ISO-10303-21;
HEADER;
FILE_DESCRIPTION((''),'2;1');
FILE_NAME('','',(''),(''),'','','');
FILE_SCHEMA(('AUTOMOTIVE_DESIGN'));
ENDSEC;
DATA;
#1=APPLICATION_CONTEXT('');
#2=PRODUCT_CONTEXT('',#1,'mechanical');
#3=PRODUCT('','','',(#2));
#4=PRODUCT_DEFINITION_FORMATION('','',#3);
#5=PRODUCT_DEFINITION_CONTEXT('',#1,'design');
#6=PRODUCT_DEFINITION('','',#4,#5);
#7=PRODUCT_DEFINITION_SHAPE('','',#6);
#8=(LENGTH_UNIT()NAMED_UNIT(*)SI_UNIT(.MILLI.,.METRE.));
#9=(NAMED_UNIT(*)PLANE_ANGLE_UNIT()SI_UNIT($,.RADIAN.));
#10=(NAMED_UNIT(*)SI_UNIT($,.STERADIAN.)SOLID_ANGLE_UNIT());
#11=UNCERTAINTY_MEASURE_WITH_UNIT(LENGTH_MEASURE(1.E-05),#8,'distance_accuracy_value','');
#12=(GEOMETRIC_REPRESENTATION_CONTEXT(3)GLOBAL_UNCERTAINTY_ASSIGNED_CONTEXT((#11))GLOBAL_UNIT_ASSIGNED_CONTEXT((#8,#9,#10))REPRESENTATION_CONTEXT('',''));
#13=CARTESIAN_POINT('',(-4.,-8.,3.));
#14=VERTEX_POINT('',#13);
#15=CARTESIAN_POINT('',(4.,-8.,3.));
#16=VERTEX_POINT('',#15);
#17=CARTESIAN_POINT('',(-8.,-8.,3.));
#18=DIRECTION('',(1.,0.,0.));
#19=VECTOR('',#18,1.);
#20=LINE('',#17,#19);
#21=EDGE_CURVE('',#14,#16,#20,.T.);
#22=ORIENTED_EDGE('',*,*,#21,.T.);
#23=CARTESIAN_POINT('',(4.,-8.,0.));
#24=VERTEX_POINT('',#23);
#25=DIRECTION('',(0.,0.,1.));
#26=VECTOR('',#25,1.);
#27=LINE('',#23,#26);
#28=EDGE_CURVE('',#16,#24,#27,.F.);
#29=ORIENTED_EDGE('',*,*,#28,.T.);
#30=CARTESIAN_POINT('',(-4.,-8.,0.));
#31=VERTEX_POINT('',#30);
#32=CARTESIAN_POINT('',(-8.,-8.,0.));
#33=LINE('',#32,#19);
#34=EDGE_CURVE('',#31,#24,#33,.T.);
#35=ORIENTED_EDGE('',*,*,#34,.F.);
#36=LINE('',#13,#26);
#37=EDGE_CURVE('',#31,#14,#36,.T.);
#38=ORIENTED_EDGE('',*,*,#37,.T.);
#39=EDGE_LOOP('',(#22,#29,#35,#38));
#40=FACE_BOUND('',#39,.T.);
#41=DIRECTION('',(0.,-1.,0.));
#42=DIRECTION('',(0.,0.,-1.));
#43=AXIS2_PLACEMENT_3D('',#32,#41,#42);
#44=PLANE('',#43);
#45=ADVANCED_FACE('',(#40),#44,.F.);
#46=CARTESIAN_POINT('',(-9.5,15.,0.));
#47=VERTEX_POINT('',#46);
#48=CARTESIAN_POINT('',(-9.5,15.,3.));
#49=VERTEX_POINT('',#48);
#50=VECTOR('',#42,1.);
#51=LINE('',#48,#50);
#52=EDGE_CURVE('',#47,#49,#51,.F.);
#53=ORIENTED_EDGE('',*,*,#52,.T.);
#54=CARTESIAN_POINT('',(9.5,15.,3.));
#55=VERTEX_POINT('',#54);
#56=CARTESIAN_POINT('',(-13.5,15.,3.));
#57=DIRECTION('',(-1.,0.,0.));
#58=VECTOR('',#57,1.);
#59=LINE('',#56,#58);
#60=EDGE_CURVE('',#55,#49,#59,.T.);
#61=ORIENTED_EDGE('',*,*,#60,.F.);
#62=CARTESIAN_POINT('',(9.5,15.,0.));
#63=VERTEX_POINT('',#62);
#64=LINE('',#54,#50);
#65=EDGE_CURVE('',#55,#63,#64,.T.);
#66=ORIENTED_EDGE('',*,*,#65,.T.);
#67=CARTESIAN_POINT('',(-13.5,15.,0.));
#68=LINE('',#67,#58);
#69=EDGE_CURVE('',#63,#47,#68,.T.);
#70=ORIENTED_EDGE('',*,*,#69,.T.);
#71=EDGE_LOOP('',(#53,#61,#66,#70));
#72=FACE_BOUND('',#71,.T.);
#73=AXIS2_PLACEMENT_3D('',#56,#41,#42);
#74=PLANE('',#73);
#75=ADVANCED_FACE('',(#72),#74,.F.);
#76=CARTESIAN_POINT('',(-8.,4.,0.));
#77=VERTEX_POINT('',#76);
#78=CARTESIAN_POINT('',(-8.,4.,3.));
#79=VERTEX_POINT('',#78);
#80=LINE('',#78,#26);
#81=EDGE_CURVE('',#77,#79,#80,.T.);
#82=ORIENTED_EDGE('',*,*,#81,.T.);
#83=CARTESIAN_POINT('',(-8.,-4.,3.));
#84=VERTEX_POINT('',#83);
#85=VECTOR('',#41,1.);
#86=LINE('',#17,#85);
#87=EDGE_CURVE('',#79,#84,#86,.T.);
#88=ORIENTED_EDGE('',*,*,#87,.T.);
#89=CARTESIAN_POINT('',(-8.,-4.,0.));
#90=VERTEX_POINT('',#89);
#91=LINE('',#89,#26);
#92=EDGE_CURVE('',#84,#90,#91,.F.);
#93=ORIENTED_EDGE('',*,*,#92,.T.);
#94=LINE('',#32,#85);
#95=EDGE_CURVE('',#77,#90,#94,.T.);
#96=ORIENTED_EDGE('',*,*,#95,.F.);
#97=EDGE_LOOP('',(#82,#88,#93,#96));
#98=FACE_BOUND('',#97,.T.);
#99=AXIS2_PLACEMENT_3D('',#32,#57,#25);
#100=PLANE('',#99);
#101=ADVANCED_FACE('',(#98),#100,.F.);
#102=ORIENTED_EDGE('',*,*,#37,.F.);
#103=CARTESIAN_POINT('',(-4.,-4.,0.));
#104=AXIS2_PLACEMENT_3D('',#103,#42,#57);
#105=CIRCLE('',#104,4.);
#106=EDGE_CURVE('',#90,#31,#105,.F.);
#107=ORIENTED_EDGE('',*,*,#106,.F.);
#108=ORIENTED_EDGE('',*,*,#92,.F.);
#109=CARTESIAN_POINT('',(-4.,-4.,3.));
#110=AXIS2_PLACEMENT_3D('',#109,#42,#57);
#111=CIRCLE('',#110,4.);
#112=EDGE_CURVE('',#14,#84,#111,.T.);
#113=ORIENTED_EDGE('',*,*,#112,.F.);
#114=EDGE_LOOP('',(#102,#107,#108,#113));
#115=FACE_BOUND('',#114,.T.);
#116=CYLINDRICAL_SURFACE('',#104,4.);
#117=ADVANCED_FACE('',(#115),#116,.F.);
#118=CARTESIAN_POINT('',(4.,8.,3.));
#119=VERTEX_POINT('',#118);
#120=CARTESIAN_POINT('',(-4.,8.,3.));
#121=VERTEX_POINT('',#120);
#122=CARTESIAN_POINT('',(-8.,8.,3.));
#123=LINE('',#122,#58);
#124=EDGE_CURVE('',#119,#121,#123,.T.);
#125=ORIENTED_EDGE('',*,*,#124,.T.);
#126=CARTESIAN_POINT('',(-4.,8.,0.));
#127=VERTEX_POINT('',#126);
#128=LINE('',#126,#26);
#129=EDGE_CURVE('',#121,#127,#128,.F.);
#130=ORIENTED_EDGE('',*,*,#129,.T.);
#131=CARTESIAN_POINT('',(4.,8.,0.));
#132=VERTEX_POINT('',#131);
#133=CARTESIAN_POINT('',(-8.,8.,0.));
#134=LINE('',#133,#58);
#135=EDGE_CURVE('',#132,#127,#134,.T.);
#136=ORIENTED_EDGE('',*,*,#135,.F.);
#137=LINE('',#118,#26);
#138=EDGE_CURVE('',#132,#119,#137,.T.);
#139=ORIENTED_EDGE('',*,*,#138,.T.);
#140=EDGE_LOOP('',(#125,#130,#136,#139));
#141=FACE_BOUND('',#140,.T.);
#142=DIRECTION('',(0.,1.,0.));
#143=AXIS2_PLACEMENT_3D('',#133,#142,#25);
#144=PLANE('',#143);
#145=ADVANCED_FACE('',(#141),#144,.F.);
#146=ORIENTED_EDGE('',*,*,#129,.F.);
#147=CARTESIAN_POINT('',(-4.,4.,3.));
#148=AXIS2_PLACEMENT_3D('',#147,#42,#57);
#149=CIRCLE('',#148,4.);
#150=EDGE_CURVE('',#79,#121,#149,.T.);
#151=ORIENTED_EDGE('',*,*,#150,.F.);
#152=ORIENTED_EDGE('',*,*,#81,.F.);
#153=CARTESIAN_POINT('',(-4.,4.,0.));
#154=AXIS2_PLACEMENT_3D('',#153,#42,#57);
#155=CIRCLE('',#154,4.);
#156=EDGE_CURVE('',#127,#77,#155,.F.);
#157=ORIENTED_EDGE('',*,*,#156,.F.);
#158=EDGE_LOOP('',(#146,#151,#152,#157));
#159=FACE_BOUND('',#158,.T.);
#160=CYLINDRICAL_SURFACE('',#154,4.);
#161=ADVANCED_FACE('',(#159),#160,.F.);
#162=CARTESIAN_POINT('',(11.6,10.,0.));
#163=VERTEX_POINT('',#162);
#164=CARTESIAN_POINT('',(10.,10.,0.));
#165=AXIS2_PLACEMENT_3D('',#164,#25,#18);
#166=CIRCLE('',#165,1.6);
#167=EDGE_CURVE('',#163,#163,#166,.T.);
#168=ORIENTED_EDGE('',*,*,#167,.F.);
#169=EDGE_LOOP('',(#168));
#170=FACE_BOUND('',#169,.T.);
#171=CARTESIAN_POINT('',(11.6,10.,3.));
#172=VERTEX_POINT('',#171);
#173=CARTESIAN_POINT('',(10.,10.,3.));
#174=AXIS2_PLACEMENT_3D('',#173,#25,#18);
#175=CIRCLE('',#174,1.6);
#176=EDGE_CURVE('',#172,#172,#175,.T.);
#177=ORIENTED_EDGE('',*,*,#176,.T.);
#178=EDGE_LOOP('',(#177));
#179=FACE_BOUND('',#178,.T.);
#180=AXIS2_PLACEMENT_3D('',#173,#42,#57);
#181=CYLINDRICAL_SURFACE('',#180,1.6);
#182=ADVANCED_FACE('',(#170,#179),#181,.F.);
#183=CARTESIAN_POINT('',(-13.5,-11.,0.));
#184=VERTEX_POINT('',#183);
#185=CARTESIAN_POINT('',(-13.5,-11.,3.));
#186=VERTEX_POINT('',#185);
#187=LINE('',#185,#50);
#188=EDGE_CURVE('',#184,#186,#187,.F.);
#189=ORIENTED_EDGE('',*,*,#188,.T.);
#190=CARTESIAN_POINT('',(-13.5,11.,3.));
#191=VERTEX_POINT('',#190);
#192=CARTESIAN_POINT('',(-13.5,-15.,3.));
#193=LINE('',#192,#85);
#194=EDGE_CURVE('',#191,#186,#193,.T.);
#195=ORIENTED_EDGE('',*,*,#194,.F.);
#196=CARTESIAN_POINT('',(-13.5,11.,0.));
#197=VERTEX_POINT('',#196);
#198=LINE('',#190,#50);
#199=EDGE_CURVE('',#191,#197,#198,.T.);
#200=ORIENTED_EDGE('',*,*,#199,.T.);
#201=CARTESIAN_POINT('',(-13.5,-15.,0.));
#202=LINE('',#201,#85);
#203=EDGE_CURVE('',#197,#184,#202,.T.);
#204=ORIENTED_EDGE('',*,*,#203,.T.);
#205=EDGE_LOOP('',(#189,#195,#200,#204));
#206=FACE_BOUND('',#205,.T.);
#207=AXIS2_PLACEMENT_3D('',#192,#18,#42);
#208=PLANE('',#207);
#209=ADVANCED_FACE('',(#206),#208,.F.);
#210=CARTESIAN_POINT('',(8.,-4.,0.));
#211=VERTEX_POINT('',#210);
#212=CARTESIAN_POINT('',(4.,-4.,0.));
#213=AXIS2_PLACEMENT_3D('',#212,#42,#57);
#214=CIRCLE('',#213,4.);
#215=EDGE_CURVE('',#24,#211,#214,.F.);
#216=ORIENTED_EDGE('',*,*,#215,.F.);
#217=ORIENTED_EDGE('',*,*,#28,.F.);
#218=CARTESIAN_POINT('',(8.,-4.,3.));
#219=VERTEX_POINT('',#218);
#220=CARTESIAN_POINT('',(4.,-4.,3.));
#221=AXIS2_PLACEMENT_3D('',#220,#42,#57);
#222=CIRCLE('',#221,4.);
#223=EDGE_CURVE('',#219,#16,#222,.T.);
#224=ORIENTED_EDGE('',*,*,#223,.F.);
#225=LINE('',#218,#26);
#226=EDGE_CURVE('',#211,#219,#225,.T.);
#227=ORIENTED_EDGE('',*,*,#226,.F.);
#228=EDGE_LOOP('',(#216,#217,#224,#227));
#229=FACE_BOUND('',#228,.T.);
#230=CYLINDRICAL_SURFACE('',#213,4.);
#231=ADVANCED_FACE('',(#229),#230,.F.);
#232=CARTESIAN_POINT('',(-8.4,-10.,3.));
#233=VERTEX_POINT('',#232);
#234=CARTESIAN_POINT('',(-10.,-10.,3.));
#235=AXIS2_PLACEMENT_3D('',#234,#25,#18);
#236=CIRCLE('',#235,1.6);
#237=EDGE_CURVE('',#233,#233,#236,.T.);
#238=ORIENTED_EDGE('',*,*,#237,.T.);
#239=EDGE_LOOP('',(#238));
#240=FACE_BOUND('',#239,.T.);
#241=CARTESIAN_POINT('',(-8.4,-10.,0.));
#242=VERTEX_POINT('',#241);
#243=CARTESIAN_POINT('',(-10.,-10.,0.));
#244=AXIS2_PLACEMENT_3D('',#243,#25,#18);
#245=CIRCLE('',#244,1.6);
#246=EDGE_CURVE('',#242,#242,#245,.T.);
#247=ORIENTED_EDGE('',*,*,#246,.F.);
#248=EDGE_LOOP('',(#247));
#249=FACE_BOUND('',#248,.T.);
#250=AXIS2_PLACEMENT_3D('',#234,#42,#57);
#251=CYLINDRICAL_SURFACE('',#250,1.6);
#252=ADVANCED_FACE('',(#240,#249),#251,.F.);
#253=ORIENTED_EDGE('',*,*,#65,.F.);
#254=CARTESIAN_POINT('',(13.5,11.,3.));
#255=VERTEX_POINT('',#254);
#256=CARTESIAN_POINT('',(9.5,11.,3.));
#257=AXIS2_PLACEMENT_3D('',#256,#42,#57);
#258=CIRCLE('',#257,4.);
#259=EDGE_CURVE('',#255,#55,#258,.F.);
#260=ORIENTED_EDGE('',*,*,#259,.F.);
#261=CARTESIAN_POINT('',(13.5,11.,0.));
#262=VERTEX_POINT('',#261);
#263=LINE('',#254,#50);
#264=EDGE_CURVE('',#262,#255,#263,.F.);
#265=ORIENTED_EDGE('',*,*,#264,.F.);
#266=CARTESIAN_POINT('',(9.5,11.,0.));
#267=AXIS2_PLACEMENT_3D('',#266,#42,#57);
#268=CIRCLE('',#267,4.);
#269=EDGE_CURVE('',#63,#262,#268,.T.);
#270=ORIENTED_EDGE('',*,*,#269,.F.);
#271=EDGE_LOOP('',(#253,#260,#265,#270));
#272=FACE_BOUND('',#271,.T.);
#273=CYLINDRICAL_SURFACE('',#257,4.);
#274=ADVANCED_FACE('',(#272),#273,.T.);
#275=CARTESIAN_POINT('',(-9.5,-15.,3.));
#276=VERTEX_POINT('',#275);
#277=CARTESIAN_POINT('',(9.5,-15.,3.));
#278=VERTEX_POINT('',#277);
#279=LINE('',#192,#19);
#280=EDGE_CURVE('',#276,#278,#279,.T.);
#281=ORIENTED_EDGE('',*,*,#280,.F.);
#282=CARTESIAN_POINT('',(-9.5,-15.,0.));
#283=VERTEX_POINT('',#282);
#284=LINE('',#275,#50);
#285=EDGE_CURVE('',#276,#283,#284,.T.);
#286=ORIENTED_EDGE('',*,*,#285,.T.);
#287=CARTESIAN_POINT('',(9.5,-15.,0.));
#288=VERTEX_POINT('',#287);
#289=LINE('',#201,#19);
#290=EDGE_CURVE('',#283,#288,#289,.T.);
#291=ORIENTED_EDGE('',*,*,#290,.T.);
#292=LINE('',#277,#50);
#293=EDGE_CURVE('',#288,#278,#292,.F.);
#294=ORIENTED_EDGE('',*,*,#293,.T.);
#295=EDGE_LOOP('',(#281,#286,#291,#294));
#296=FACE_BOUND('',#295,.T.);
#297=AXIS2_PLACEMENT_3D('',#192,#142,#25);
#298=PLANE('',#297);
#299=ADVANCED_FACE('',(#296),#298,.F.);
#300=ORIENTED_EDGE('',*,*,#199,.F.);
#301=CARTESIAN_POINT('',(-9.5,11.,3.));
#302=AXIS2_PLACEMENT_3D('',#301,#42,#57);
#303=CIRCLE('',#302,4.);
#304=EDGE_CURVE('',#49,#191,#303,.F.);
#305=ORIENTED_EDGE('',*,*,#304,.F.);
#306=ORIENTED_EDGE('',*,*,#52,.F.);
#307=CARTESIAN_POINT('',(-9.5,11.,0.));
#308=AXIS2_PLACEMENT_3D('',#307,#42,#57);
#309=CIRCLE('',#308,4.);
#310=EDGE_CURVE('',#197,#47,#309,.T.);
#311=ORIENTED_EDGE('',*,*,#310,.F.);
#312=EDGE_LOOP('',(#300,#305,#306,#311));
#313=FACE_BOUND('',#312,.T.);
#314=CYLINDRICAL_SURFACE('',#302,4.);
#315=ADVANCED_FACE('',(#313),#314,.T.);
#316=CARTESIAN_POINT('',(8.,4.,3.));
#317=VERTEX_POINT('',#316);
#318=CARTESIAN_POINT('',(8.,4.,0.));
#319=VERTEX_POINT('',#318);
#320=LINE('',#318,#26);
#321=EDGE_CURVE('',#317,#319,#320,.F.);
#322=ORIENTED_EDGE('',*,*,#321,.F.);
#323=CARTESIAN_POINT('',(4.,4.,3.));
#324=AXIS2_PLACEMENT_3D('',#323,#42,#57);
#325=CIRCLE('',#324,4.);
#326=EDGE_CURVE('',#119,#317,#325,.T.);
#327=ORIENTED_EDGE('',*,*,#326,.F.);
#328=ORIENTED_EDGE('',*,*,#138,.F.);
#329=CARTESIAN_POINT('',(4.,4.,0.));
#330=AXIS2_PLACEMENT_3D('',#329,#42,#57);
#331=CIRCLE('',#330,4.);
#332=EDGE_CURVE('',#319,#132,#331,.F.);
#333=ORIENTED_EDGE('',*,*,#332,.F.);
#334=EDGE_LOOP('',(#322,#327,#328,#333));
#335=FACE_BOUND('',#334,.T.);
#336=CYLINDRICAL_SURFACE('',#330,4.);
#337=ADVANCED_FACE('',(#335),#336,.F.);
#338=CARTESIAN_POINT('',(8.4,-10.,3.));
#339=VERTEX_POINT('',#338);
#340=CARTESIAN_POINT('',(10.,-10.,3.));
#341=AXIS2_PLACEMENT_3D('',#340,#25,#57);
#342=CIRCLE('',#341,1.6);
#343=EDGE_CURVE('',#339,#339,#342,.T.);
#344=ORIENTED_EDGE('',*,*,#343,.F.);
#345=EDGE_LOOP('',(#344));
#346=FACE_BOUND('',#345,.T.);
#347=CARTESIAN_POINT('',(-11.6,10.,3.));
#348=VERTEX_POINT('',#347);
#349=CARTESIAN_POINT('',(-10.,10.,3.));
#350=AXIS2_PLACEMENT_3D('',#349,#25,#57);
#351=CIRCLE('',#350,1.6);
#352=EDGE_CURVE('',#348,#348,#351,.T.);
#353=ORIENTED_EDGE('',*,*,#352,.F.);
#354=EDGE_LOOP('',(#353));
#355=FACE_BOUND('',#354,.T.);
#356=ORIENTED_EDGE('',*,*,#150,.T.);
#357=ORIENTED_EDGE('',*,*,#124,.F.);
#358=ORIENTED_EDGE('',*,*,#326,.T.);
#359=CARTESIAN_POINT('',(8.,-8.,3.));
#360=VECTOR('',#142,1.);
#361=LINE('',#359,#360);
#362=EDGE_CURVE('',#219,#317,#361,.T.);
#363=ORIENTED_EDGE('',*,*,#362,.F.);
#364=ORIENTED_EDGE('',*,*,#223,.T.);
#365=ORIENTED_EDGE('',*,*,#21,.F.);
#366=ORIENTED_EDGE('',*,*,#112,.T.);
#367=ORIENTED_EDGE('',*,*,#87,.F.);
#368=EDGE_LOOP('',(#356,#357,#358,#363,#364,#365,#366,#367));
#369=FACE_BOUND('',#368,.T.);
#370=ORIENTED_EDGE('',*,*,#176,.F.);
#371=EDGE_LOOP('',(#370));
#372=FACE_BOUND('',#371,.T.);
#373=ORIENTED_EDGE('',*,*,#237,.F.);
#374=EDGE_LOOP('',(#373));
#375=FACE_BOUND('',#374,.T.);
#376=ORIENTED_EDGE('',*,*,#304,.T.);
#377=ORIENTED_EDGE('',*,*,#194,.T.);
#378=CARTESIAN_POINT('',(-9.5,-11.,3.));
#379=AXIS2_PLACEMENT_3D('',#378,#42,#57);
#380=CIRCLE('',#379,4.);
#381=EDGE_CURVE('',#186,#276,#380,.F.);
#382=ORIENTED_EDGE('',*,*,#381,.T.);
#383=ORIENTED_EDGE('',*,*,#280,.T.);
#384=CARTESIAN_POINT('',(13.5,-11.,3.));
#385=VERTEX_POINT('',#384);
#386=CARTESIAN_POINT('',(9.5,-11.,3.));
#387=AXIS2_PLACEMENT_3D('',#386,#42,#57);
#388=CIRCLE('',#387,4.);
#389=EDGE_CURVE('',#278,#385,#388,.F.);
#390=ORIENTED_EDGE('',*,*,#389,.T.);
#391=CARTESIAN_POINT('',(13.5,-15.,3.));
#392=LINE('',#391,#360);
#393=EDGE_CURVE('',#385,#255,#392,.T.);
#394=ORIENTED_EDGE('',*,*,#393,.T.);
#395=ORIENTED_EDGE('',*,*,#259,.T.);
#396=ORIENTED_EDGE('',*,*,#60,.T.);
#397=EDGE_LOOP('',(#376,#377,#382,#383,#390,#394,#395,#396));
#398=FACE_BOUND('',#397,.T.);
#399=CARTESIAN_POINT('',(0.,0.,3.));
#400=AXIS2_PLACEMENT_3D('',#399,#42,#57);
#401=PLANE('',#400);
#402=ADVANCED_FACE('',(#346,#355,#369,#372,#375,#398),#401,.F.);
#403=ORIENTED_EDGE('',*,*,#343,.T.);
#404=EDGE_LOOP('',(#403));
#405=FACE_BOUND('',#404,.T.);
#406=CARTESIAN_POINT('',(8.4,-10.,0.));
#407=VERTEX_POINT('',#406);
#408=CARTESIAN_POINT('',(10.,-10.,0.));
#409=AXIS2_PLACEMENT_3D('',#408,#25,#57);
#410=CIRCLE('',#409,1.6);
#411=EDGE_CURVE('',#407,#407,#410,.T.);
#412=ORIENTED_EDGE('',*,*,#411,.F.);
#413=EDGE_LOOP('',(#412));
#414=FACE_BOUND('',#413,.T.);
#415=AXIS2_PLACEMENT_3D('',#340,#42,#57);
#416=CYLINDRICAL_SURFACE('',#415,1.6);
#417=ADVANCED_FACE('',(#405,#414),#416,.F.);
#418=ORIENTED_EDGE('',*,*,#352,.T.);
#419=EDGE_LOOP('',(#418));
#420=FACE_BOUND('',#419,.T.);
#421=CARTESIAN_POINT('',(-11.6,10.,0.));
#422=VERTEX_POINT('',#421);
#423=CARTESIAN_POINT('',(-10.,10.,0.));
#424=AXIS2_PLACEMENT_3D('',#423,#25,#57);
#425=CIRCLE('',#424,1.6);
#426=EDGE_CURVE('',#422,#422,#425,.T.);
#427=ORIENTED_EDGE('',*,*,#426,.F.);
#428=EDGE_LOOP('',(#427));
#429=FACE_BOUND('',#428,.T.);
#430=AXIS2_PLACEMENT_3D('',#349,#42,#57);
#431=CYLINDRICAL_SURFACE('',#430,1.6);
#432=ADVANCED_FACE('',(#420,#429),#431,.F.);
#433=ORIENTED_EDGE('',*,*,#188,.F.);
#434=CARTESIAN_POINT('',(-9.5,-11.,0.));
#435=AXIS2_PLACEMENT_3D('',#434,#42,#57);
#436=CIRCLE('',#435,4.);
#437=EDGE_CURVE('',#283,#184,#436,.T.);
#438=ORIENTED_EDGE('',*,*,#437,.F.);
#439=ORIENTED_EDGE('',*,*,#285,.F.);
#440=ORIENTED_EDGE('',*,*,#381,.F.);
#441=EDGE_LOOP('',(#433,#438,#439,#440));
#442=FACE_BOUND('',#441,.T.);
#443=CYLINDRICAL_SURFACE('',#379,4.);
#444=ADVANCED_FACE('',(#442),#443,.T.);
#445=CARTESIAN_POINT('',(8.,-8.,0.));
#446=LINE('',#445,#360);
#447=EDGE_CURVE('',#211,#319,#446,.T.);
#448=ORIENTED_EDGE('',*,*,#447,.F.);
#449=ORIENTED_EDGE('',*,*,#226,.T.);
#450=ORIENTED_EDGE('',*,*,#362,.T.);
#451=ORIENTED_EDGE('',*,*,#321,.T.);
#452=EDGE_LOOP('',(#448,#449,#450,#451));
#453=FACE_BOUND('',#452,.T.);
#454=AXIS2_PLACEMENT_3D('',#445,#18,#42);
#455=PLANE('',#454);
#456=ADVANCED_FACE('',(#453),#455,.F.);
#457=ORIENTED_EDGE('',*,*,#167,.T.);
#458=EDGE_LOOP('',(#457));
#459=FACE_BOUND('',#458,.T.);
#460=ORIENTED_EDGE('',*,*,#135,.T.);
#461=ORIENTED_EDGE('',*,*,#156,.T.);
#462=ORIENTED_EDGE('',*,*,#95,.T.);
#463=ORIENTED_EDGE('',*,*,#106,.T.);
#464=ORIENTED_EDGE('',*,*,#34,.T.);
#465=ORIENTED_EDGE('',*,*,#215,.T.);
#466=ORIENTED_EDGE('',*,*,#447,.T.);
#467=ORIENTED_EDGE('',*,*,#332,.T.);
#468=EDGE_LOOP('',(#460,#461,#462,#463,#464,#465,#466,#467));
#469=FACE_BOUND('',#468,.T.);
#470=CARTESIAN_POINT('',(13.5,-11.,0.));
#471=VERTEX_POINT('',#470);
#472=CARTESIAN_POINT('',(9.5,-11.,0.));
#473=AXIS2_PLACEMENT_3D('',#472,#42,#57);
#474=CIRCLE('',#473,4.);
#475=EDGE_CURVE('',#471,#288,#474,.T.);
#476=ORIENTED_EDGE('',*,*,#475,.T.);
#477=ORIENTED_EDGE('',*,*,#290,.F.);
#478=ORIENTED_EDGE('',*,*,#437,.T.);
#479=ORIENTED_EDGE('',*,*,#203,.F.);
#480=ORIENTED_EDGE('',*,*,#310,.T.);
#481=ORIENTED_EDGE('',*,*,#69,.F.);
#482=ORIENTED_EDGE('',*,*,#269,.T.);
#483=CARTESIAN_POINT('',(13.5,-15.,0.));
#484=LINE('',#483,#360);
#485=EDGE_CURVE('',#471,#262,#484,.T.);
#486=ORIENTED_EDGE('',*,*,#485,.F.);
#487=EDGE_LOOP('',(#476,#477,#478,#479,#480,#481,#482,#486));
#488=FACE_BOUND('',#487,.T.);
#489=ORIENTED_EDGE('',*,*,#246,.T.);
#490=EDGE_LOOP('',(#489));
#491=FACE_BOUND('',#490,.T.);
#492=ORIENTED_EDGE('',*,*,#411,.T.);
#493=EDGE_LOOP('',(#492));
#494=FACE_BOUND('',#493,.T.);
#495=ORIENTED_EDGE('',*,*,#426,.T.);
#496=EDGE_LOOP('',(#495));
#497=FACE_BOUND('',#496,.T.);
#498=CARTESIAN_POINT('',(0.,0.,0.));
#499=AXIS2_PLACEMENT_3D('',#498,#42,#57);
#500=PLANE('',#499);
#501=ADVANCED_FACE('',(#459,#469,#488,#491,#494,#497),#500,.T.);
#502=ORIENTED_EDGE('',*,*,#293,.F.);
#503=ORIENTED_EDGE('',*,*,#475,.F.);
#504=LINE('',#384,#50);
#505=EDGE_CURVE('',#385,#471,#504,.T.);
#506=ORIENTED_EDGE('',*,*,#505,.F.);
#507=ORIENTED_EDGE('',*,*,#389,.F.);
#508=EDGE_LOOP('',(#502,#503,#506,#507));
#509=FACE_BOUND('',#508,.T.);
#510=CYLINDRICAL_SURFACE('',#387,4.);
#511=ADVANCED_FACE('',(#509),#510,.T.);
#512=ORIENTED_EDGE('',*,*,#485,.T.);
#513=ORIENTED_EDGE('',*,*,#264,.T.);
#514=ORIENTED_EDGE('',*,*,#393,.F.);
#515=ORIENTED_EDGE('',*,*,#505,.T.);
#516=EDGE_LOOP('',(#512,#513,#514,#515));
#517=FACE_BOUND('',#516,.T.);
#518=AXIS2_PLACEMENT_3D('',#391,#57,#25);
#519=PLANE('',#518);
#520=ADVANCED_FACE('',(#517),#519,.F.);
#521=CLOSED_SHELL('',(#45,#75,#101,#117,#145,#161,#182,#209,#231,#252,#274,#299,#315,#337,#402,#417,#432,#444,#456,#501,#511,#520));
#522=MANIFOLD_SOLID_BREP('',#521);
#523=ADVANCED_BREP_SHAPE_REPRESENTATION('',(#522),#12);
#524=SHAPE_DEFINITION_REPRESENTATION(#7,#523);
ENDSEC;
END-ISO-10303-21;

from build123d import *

# Parameters (mm, degrees)
SKETCH_1_W          = 27
SKETCH_1_H          = 30
SKETCH_1_R          = 1.6
EXTRUDE_1_DEPTH     = 3
SKETCH_2_W          = 16
SKETCH_2_H          = 16
CUT_EXTRUDE_1_DEPTH = 4
FILLET_1_R          = 4


with BuildPart() as part:
    # 草图1 → 凸台-拉伸1 (new body)
    with BuildSketch(Plane.XY):
        Rectangle(SKETCH_1_W, SKETCH_1_H)
        with Locations((10, 10)):
            Circle(SKETCH_1_R, mode=Mode.SUBTRACT)
        with Locations((10, -10)):
            Circle(SKETCH_1_R, mode=Mode.SUBTRACT)
        with Locations((-10, -10)):
            Circle(SKETCH_1_R, mode=Mode.SUBTRACT)
        with Locations((-10, 10)):
            Circle(SKETCH_1_R, mode=Mode.SUBTRACT)
    extrude(amount=EXTRUDE_1_DEPTH)

    # 草图2 → 切除-拉伸1 (cut, through all)
    with BuildSketch(Plane.XY.offset(3)):
        Rectangle(SKETCH_2_W, SKETCH_2_H)
    extrude(amount=-CUT_EXTRUDE_1_DEPTH, mode=Mode.SUBTRACT)

    # 圆角1
    fillet_1_edges = [part.edges().sort_by_distance(p)[0] for p in [
        (8, 8, 1.5),
        (8, -8, 1.5),
        (-8, -8, 1.5),
        (-8, 8, 1.5),
        (13.5, -15, 1.5),
        (-13.5, -15, 1.5),
        (-13.5, 15, 1.5),
        (13.5, 15, 1.5),
    ]]
    fillet(fillet_1_edges, radius=FILLET_1_R)


solid = part.part
